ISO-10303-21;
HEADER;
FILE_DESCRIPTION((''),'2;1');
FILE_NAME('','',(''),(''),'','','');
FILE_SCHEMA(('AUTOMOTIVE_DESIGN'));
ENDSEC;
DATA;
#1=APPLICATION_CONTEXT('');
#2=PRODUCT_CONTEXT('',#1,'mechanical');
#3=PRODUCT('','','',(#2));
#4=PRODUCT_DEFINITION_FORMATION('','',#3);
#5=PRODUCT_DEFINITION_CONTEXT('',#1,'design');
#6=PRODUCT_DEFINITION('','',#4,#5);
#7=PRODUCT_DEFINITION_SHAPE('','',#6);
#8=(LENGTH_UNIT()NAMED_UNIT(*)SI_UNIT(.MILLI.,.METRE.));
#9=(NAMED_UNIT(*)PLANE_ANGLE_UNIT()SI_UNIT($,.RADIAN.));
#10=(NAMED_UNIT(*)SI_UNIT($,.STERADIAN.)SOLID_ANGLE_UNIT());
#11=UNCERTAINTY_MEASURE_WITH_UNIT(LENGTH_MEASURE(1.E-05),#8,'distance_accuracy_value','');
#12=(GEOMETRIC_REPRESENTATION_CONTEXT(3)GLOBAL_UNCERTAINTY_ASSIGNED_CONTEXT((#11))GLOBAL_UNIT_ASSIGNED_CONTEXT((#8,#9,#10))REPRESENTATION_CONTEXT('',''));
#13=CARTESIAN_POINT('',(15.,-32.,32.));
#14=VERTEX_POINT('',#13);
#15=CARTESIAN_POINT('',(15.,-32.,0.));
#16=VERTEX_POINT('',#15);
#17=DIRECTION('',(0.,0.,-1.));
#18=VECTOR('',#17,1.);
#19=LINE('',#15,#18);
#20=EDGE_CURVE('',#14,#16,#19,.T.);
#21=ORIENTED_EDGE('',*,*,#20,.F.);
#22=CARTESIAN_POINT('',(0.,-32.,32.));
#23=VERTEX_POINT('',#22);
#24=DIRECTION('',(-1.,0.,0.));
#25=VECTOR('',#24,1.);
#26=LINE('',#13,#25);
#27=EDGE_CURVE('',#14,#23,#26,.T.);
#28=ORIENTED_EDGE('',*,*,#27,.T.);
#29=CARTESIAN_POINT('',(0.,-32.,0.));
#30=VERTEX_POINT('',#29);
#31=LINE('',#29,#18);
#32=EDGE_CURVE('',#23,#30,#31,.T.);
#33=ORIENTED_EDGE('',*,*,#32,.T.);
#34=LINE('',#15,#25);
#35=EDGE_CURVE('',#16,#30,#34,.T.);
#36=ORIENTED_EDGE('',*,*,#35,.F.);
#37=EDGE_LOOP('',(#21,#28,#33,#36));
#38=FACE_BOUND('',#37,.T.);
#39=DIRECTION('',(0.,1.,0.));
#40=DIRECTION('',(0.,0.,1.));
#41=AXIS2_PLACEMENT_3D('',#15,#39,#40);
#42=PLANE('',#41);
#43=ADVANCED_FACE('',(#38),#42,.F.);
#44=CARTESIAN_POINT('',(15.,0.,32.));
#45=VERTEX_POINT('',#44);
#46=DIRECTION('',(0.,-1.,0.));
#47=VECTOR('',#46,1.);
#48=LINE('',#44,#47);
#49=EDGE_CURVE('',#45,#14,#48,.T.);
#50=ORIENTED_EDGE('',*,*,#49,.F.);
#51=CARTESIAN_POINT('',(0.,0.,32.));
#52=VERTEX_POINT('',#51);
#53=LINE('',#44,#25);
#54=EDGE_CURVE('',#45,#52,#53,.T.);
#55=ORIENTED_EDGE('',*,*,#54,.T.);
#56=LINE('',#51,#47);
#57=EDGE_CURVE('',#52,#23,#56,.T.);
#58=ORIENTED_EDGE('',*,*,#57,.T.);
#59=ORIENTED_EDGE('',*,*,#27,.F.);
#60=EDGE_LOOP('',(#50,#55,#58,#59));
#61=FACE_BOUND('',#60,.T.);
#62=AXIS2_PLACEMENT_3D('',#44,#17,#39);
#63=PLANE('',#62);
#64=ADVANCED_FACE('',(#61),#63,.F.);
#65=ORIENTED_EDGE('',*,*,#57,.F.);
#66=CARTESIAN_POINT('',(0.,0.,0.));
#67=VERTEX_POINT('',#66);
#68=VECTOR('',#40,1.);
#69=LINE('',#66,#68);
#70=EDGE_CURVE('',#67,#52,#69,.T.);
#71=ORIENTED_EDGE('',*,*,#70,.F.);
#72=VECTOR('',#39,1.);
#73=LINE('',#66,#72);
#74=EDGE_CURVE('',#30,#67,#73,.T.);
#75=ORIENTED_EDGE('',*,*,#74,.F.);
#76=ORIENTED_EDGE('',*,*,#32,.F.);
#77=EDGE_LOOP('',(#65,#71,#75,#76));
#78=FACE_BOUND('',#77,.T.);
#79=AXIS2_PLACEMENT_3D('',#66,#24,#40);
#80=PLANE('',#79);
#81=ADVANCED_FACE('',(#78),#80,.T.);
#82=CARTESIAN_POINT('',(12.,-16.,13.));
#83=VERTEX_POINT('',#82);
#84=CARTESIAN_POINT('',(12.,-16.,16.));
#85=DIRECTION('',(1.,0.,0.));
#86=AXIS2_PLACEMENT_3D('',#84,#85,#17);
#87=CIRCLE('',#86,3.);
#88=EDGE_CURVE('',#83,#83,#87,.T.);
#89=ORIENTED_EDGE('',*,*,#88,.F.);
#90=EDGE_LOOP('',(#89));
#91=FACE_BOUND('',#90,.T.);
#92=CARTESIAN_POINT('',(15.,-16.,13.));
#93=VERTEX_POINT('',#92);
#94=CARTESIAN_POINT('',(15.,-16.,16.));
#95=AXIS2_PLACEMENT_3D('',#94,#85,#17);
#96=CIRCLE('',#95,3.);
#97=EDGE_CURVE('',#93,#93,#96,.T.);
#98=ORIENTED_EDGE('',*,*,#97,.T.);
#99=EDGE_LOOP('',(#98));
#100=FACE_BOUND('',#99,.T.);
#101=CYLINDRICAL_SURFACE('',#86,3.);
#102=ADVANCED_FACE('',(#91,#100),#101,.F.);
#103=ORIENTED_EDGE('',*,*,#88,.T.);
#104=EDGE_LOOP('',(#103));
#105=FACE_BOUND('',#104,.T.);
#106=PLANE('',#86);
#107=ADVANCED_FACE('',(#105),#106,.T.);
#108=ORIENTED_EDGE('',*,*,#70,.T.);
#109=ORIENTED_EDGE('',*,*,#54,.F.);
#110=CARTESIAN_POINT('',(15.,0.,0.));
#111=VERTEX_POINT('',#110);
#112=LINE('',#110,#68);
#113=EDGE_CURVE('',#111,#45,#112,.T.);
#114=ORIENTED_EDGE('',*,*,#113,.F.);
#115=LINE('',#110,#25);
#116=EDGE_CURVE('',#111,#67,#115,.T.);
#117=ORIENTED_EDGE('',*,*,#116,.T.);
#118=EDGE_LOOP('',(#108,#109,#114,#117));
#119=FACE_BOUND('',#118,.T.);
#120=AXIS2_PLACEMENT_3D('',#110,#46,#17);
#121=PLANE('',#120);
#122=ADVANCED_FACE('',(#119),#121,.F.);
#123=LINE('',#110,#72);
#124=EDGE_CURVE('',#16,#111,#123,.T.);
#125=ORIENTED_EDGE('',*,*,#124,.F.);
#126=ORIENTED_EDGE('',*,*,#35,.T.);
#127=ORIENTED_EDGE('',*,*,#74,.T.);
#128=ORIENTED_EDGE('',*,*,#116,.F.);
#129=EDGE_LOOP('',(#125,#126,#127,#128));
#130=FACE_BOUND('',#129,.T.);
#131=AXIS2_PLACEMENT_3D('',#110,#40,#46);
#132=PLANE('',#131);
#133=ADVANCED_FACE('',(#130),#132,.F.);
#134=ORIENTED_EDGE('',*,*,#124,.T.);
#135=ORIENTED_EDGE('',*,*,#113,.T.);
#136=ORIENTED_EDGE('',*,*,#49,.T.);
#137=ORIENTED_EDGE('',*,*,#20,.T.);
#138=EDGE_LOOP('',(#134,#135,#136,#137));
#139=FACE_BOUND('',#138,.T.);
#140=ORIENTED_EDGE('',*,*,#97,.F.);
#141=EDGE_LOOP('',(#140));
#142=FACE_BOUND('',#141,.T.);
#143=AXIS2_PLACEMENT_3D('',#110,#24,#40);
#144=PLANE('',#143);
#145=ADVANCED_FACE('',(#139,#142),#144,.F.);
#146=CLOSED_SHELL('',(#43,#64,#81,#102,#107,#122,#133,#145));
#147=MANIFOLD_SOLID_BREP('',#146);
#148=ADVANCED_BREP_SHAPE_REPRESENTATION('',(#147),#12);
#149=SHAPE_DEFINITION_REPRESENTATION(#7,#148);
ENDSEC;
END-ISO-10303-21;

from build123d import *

# Parameters (mm, degrees)
SKETCH2_W           = 32
SKETCH2_H           = 32
BOSS_EXTRUDE1_DEPTH = 15
SKETCH3_R           = 3
CUT_EXTRUDE1_DEPTH  = 3


with BuildPart() as part:
    # Sketch2 → Boss-Extrude1 (new body)
    with BuildSketch(Plane(origin=(0, 0, 0), x_dir=(0, 0, -1), z_dir=(1, 0, 0))):
        with Locations((-16, -16)):
            Rectangle(SKETCH2_W, SKETCH2_H)
    extrude(amount=BOSS_EXTRUDE1_DEPTH)

    # Sketch3 → Cut-Extrude1 (cut)
    with BuildSketch(Plane(origin=(15, 0, 0), x_dir=(0, 0, -1), z_dir=(1, 0, 0))):
        with Locations((-16, -16)):
            Circle(SKETCH3_R)
    extrude(amount=-CUT_EXTRUDE1_DEPTH, mode=Mode.SUBTRACT)


solid = part.part
